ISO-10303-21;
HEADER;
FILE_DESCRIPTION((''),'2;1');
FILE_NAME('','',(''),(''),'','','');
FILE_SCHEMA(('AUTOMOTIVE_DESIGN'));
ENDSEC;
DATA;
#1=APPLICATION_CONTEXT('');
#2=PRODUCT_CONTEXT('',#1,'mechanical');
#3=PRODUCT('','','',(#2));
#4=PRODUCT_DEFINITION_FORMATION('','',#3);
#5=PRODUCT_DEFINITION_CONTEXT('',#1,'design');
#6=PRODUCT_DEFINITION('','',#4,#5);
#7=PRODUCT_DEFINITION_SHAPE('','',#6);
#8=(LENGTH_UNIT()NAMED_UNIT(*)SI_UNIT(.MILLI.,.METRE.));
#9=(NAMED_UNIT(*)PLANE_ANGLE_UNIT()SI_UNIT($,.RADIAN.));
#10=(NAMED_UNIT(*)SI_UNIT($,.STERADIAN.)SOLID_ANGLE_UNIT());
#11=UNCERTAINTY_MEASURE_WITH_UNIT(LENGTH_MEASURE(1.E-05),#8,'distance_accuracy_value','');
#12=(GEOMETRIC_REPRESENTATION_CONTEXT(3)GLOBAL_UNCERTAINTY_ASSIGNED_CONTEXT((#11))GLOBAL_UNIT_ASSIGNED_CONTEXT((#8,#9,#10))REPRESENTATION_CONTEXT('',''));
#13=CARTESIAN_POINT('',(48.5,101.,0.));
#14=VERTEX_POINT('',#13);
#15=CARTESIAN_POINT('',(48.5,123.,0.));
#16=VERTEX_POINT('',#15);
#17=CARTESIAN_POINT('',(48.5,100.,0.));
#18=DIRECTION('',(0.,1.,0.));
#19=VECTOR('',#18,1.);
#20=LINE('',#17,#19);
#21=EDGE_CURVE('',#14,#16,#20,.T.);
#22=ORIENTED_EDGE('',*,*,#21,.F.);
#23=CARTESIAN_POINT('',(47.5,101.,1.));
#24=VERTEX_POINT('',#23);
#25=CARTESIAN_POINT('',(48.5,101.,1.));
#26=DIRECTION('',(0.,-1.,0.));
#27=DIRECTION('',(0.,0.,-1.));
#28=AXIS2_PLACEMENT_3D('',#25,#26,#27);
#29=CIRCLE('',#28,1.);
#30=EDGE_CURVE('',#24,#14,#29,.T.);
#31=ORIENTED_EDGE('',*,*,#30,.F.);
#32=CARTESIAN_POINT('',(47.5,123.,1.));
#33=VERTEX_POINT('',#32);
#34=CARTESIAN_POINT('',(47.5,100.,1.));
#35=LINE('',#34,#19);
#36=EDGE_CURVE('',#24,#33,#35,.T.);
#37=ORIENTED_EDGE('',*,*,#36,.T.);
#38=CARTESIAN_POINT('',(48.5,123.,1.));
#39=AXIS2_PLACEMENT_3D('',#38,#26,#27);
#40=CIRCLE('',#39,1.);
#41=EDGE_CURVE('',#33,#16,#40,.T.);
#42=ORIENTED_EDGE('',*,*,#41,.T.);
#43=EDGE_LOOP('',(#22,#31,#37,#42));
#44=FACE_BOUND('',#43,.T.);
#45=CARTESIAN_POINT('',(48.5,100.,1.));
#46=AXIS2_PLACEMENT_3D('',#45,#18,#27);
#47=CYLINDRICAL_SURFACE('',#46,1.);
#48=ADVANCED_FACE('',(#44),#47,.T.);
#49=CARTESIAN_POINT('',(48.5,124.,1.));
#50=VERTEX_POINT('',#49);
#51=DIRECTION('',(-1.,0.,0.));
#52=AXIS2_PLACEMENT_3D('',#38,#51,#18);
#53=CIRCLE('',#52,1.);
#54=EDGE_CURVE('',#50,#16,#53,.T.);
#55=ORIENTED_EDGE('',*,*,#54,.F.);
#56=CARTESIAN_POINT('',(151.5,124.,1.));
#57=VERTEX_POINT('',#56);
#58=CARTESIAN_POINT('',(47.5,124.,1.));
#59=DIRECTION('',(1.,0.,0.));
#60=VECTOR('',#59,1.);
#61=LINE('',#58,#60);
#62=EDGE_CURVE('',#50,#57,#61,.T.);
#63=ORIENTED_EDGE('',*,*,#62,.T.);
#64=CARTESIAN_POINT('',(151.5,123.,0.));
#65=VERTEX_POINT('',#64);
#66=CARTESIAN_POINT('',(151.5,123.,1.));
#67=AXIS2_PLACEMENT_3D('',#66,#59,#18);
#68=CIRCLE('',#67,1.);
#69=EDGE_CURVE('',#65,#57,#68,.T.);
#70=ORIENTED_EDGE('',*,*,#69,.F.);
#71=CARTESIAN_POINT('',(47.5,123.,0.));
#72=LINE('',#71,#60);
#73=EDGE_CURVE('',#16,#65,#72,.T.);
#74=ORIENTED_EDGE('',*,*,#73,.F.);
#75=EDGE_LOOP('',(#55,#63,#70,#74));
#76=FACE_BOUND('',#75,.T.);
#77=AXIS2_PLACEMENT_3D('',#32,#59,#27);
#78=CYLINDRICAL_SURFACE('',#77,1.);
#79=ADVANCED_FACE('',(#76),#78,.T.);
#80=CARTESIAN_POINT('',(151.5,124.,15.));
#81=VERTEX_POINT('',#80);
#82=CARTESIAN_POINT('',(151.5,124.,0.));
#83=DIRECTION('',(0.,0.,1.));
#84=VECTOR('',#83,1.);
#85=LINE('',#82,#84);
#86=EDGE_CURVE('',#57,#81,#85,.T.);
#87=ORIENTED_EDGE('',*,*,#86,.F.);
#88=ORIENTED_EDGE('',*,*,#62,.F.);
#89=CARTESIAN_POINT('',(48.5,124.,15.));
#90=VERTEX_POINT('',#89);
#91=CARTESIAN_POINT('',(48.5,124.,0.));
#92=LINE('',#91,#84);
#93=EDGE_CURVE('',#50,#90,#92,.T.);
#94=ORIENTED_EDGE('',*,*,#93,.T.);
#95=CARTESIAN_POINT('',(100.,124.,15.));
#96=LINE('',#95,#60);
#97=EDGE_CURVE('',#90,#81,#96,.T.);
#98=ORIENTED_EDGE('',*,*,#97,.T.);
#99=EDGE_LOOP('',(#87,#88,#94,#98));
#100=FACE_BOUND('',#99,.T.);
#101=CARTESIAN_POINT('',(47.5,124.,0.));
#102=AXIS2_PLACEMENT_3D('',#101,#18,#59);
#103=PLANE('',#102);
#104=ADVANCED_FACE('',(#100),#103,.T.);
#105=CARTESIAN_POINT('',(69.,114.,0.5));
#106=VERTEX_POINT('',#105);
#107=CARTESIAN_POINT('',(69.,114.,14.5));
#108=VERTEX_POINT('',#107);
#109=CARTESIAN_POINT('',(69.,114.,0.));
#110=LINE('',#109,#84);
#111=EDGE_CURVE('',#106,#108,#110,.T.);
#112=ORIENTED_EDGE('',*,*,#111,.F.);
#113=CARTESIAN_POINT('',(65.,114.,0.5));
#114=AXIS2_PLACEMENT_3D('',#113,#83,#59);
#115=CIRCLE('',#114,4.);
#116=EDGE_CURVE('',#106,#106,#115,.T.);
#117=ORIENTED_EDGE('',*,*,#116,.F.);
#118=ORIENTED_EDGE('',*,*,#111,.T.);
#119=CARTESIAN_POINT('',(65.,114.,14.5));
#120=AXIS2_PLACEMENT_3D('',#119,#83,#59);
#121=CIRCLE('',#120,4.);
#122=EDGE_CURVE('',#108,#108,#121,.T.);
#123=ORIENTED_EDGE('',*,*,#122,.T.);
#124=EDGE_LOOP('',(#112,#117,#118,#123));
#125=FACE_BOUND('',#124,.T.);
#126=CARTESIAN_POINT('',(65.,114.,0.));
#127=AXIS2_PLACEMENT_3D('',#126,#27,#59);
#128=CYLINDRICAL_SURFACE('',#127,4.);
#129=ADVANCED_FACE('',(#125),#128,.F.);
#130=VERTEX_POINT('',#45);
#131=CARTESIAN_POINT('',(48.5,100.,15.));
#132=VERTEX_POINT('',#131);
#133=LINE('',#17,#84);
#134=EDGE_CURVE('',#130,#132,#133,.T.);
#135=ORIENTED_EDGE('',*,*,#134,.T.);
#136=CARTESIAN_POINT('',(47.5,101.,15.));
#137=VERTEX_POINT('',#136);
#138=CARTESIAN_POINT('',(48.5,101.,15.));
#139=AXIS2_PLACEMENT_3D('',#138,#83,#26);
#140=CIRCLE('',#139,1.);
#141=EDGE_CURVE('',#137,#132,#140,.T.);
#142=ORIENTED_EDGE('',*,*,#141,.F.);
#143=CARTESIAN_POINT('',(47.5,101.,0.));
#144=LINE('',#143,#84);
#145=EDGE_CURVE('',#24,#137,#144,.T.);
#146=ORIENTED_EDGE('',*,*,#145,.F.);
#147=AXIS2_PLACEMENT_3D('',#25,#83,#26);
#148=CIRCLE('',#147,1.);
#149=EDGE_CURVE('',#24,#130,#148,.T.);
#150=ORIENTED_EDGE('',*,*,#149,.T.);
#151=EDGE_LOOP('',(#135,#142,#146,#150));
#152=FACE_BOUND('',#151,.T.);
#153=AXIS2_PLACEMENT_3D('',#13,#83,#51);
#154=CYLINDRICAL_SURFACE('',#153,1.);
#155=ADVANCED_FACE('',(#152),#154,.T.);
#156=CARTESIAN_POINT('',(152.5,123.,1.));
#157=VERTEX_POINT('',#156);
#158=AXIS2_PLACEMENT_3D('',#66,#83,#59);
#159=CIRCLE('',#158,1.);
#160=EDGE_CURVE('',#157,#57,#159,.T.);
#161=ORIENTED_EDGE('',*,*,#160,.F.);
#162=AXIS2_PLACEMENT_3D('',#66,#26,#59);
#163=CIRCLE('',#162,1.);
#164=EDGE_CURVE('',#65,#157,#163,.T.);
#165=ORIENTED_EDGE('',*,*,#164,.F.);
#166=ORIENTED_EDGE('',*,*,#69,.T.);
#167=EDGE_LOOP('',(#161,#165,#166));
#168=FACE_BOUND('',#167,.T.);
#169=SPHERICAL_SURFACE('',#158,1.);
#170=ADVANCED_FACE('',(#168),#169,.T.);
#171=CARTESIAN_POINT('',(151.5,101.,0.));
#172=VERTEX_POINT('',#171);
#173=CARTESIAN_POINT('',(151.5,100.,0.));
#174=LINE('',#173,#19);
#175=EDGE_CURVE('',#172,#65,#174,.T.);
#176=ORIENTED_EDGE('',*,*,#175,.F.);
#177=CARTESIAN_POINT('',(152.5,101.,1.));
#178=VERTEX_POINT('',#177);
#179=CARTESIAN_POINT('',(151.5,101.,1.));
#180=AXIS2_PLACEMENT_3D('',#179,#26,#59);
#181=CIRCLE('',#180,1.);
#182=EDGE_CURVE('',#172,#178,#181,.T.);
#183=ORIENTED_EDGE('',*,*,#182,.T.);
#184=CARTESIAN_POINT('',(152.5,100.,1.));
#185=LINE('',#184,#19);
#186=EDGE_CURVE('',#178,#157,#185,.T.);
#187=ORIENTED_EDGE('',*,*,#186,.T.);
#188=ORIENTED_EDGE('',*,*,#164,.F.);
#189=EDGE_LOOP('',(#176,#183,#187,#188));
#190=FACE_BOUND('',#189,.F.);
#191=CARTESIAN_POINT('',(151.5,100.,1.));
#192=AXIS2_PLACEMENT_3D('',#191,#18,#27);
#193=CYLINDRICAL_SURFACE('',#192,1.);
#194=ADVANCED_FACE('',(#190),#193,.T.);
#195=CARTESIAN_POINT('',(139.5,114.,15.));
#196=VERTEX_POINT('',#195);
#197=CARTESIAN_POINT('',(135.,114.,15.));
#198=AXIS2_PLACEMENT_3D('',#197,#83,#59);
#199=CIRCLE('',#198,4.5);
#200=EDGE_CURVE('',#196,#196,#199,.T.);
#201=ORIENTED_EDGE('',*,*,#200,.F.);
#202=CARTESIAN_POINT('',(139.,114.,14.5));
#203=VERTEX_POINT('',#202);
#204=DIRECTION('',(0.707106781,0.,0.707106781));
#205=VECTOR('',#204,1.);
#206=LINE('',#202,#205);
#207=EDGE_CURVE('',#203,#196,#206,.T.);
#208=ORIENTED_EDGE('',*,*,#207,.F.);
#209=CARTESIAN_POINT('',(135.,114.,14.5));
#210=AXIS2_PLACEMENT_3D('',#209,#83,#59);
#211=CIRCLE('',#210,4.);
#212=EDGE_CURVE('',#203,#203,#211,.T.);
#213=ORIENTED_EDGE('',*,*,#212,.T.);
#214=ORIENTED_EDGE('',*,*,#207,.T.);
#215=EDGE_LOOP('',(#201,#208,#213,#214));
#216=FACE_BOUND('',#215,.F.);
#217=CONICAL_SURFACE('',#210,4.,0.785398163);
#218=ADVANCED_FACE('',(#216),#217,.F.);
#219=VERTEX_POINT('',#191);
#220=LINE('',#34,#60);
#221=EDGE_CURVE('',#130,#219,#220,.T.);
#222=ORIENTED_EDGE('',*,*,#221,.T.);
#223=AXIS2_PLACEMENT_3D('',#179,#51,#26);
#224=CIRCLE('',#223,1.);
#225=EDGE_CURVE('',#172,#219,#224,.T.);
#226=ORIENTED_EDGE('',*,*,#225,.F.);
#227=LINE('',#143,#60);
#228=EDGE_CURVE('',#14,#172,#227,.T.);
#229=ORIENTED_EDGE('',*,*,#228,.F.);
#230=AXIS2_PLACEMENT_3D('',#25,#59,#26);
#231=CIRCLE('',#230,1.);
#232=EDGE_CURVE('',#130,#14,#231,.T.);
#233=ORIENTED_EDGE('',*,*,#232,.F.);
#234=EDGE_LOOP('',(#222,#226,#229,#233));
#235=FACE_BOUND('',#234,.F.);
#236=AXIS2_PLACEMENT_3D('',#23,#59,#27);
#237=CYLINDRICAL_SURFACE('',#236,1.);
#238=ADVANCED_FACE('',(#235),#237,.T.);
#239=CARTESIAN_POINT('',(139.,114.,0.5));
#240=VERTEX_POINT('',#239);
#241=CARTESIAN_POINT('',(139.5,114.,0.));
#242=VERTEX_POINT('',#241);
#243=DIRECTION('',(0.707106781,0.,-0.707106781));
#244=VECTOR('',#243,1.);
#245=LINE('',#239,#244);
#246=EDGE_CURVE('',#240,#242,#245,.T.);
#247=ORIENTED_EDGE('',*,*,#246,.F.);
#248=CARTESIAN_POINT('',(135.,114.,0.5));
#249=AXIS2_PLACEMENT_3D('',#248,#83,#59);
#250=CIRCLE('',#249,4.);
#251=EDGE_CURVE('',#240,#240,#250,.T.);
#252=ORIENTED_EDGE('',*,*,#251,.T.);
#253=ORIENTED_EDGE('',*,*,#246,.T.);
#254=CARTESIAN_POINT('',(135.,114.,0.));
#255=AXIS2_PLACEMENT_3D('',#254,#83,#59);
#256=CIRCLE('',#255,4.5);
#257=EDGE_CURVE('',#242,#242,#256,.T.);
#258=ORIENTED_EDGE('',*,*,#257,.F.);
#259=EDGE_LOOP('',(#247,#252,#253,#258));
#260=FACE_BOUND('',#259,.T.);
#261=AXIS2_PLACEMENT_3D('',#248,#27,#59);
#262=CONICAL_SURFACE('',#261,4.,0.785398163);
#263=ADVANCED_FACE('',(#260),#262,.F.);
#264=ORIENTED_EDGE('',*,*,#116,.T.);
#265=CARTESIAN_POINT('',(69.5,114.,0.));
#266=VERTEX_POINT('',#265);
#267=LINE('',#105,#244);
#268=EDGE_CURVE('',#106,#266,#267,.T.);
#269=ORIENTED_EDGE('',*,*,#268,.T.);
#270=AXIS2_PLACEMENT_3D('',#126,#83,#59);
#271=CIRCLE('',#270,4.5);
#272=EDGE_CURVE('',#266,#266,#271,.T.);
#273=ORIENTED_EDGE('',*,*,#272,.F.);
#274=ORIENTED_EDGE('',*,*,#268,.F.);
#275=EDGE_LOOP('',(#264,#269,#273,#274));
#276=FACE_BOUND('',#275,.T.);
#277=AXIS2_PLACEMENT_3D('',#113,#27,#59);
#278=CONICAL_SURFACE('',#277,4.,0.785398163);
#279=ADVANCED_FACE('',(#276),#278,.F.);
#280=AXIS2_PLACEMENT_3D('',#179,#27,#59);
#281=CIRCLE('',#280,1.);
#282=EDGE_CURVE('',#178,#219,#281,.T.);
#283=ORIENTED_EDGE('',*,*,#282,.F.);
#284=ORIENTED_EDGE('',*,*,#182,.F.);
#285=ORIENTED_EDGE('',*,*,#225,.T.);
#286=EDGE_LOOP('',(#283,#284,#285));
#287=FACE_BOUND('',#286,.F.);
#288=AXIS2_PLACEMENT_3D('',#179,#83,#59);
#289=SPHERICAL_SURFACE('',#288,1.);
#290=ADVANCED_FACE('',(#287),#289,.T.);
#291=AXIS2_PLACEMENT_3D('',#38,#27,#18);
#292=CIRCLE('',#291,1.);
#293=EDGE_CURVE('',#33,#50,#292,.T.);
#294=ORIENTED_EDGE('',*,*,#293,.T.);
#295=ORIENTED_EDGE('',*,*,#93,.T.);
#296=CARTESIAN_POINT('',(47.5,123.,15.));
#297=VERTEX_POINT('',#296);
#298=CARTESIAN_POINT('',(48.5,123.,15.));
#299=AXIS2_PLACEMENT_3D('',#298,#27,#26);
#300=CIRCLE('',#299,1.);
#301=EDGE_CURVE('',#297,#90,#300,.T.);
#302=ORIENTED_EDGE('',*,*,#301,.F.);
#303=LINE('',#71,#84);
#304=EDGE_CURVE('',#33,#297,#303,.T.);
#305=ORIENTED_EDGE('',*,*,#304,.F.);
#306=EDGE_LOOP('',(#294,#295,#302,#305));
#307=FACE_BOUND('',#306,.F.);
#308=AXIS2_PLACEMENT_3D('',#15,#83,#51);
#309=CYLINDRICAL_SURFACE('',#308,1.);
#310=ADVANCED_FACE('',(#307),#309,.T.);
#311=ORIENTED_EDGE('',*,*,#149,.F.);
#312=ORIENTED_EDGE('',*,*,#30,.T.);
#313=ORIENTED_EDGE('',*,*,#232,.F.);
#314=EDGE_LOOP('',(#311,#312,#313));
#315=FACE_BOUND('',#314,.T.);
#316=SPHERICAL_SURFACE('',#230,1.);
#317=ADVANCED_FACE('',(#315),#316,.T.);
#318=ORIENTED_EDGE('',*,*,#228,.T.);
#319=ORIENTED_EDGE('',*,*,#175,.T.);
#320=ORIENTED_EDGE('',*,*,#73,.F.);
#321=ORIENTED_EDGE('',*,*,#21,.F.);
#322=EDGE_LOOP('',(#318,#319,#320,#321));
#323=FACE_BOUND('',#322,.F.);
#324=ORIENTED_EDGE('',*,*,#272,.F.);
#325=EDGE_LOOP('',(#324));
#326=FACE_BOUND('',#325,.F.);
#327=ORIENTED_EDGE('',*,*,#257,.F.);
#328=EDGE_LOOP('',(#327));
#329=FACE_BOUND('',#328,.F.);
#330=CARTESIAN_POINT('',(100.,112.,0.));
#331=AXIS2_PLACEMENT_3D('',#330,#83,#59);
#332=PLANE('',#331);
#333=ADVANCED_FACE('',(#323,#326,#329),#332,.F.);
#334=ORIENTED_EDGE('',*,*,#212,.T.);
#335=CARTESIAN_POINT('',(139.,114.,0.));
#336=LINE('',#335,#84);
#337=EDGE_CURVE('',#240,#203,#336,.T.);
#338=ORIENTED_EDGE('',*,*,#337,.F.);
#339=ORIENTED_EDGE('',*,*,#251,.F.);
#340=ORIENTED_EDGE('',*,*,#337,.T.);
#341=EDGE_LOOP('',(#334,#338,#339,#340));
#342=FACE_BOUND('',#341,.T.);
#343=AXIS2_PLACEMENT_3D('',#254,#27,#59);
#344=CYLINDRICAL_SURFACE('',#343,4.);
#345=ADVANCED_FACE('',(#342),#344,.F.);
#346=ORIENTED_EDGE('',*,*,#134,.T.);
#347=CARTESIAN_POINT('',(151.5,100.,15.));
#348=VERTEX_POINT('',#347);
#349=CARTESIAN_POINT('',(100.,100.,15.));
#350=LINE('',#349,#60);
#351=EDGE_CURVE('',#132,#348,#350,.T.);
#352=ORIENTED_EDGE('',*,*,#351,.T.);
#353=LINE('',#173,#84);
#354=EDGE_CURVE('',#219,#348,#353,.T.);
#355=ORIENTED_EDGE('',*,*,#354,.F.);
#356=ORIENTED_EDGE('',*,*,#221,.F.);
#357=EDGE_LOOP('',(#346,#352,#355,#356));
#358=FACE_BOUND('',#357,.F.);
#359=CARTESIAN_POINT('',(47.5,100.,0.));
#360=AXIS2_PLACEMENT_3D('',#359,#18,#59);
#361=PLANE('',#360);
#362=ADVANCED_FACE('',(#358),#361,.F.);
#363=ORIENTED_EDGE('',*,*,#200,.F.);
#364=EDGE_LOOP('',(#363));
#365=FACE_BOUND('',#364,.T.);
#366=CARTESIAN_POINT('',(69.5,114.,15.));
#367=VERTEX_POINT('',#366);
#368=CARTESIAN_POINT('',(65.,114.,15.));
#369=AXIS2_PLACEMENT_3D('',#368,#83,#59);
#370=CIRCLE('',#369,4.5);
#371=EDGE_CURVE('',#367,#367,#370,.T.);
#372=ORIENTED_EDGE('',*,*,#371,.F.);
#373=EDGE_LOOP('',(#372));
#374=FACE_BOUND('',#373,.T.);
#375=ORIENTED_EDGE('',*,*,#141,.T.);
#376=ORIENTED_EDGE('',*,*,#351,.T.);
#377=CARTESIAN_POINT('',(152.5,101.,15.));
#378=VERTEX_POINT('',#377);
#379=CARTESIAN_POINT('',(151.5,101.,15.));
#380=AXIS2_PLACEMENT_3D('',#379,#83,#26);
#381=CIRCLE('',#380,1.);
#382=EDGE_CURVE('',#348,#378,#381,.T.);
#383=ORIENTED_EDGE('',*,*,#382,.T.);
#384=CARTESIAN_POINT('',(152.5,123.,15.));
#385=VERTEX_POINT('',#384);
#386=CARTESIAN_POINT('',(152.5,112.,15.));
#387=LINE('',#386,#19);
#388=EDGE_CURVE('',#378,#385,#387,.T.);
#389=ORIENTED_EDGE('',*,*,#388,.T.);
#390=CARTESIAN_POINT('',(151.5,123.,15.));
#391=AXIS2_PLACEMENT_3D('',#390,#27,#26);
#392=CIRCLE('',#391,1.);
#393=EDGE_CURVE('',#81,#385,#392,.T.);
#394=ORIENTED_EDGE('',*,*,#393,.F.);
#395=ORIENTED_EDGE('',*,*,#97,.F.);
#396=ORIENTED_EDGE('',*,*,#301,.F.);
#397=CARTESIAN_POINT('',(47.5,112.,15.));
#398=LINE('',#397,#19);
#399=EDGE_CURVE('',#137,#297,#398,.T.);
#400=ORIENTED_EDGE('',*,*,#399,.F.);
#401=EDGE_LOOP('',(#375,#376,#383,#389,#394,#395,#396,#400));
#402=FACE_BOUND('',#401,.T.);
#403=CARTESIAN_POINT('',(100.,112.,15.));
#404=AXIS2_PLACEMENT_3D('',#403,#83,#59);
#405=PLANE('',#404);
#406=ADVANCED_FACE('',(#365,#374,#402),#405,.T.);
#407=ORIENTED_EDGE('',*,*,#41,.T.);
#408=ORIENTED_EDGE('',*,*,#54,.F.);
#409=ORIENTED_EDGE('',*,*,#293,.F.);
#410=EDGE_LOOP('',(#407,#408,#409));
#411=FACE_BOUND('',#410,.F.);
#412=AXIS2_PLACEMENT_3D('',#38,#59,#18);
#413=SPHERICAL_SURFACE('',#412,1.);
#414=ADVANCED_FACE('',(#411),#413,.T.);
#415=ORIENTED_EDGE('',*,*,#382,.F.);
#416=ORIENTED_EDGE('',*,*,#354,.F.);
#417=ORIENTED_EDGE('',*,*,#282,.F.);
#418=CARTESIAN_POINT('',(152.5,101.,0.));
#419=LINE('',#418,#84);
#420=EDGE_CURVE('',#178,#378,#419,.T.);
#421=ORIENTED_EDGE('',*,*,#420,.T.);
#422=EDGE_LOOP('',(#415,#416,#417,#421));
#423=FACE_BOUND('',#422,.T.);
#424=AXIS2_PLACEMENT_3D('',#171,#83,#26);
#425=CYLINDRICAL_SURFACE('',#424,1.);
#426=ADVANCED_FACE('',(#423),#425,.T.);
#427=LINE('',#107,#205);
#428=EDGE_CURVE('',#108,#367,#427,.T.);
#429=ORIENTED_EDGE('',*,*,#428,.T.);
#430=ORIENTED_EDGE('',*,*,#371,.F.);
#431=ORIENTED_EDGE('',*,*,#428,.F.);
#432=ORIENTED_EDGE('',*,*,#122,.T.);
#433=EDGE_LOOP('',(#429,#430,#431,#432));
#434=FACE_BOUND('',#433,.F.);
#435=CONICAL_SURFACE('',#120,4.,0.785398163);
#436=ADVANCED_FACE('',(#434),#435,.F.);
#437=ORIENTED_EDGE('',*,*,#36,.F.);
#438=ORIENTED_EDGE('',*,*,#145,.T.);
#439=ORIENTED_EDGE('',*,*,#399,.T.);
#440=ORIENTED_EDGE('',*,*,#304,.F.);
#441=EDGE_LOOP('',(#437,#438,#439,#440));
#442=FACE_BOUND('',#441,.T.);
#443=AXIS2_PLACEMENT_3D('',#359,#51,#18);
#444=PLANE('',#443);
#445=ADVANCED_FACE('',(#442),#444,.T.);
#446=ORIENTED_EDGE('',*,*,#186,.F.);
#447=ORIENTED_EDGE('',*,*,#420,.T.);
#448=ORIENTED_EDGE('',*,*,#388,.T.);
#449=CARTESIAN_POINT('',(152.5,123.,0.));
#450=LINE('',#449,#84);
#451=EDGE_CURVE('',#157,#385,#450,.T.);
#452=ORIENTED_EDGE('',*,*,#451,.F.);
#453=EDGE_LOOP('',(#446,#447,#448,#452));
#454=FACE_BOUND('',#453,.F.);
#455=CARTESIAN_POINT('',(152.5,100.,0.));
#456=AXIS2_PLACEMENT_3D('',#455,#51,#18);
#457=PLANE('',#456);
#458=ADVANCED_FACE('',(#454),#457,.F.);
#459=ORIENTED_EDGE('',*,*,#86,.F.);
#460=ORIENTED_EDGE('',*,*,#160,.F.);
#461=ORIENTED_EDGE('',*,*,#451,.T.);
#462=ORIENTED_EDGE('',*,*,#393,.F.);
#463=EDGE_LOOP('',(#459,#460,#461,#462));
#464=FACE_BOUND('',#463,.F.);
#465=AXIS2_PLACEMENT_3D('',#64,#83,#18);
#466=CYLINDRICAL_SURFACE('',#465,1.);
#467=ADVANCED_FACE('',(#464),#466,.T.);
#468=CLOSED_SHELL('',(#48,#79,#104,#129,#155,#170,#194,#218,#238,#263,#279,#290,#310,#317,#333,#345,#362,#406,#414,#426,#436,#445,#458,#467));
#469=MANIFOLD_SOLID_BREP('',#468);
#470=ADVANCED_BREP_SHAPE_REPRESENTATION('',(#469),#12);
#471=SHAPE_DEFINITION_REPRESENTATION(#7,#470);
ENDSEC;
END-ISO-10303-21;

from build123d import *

# Parameters (mm, degrees)
SKETCH006_W     = 105
SKETCH006_H     = 24
SKETCH006_R     = 4
PAD005_DEPTH    = 15
CHAMFER002_SIZE = 0.5
FILLET003_R     = 1


with BuildPart() as part:
    # Sketch006 → Pad005 (new body)
    with BuildSketch(Plane(origin=(100, 100, 0), x_dir=(1, 0, 0), z_dir=(0, 0, 1))):
        with Locations((0, 12)):
            Rectangle(SKETCH006_W, SKETCH006_H)
        with Locations((-35, 14)):
            Circle(SKETCH006_R, mode=Mode.SUBTRACT)
        with Locations((35, 14)):
            Circle(SKETCH006_R, mode=Mode.SUBTRACT)
    extrude(amount=PAD005_DEPTH)

    # Chamfer002
    chamfer002_edges = [part.edges().sort_by_distance(p)[0] for p in [
        (61, 114, 0),
        (131, 114, 0),
        (131, 114, 15),
        (61, 114, 15),
    ]]
    chamfer(chamfer002_edges, length=CHAMFER002_SIZE)

    # Fillet003
    fillet003_edges = [part.edges().sort_by_distance(p)[0] for p in [
        (152.5, 100, 7.5),
        (152.5, 124, 7.5),
        (152.5, 112, 0),
        (100, 100, 0),
        (100, 124, 0),
        (47.5, 100, 7.5),
        (47.5, 124, 7.5),
        (47.5, 112, 0),
    ]]
    fillet(fillet003_edges, radius=FILLET003_R)


solid = part.part
